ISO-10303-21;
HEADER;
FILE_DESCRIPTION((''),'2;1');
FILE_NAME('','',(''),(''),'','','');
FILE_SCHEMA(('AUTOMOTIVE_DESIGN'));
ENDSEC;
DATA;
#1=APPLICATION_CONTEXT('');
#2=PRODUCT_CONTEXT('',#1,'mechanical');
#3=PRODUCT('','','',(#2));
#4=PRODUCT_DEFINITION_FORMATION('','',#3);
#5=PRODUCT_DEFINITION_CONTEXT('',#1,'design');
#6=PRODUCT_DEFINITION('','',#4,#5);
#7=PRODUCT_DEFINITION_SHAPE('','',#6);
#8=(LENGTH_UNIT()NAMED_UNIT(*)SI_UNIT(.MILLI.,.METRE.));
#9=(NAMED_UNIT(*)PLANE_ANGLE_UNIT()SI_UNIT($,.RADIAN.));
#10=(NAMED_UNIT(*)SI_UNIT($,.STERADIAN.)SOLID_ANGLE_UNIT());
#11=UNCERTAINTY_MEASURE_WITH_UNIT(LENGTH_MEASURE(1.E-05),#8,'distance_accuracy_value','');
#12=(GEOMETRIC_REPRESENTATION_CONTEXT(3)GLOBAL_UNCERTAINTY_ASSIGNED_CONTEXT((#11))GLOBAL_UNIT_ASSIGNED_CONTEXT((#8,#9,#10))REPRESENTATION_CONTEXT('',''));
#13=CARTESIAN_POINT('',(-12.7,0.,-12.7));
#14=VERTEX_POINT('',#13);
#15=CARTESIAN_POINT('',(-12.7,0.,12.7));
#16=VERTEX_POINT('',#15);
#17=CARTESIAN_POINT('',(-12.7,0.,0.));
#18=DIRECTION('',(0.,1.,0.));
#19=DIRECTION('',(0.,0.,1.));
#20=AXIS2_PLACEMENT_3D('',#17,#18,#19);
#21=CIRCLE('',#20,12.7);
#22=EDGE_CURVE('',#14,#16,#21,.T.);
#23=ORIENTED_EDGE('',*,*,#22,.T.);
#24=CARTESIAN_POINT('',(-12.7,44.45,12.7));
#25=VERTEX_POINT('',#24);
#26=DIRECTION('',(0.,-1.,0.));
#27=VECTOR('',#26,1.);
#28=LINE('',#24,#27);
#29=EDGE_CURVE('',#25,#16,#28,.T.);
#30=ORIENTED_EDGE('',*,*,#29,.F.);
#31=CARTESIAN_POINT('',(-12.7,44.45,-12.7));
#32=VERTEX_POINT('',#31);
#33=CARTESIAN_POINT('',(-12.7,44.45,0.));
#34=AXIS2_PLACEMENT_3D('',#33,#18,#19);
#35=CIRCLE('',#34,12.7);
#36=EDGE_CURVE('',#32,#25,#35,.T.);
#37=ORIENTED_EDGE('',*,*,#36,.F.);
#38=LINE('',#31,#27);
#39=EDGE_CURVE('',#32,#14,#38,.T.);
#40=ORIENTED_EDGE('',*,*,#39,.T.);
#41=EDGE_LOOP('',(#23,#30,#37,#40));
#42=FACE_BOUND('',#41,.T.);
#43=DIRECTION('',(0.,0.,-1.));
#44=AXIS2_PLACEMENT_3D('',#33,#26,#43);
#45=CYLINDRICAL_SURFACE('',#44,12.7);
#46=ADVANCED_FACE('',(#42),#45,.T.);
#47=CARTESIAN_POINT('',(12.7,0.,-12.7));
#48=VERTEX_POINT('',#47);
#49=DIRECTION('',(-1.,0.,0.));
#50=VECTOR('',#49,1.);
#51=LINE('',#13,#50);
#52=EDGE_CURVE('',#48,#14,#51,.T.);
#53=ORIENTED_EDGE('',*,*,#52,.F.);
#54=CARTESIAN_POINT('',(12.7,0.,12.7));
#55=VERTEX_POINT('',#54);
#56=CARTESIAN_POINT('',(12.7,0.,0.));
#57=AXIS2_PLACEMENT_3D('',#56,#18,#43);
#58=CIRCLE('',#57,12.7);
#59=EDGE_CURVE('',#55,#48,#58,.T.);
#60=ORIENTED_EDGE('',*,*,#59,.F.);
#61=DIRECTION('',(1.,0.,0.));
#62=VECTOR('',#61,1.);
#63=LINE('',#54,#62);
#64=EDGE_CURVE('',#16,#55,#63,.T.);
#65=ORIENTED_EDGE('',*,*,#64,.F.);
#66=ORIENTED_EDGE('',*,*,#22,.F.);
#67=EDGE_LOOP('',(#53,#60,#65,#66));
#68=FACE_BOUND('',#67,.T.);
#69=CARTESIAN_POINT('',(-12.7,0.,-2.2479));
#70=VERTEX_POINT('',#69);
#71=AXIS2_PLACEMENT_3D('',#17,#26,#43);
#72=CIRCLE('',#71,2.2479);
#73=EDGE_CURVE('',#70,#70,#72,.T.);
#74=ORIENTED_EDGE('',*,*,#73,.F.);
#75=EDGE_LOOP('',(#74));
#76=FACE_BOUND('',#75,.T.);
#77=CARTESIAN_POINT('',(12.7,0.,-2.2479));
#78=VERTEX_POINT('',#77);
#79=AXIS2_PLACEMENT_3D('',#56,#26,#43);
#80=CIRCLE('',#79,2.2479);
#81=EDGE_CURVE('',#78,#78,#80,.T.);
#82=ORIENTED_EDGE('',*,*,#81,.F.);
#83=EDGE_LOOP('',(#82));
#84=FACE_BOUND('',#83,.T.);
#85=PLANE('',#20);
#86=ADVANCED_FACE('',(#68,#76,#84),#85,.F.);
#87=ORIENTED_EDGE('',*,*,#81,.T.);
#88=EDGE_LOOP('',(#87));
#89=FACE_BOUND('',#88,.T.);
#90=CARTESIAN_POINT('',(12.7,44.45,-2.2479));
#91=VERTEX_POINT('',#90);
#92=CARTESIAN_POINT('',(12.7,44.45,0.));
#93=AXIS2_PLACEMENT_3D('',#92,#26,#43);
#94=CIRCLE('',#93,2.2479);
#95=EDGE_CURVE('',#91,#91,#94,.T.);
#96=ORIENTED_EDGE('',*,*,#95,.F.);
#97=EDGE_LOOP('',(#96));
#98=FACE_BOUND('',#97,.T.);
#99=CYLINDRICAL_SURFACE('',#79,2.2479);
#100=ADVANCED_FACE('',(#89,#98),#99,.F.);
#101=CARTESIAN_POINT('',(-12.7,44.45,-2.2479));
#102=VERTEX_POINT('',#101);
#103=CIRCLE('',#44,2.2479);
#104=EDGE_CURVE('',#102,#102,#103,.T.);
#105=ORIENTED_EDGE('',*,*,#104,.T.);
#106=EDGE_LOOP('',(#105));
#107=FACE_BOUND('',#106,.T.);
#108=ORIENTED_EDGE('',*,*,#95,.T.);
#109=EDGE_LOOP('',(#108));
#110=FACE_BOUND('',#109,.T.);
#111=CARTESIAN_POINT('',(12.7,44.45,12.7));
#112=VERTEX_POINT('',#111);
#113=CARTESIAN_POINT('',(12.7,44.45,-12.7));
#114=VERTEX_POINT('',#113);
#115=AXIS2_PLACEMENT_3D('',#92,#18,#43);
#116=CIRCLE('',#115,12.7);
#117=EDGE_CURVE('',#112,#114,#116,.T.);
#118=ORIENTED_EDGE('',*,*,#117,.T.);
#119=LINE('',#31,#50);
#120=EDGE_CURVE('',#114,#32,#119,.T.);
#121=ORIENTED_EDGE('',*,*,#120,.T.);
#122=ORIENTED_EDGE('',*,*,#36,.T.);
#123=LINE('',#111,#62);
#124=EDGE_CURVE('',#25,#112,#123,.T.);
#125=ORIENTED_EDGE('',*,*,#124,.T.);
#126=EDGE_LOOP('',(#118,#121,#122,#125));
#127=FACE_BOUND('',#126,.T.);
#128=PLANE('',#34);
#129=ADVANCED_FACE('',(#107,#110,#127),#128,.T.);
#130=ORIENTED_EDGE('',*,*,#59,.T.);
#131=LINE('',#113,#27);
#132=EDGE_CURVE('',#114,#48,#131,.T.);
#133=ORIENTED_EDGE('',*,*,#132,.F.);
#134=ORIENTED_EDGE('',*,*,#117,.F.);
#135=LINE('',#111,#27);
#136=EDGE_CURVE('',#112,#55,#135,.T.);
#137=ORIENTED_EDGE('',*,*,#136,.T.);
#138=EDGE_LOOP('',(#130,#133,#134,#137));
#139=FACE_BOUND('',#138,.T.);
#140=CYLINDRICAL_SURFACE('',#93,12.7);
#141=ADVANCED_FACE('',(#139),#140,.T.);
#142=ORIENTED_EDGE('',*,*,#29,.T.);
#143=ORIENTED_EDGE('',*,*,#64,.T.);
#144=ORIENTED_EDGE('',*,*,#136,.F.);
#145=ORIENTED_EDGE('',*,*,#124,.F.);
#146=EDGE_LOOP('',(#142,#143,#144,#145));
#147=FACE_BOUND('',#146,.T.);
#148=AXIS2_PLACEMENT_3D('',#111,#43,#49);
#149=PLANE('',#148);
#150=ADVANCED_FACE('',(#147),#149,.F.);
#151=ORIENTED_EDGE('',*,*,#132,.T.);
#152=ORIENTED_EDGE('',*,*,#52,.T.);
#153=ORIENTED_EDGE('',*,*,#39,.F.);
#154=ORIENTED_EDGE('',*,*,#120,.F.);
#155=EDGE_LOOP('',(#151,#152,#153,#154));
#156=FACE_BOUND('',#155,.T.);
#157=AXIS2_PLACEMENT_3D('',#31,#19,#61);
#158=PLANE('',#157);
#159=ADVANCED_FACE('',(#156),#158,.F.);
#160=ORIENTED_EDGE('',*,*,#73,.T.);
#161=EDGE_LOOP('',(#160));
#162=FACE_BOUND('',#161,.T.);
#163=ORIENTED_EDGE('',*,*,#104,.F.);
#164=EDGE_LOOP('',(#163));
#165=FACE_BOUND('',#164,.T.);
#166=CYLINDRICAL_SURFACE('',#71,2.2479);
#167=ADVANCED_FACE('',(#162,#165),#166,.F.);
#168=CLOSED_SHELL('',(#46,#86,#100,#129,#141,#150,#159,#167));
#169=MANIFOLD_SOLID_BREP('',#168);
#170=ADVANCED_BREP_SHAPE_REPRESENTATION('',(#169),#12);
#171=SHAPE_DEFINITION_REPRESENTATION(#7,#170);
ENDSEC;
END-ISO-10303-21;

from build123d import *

# Parameters (mm, degrees)
BOSS_EXTRUDE1_DEPTH   = 44.45
F_8_CLEARANCE_HOLE1_D = 4.4958


with BuildPart() as part:
    # Sketch1 → Boss-Extrude1 (new body)
    with BuildSketch(Plane(origin=(0, 0, 0), x_dir=(1, 0, 0), z_dir=(0, 1, 0))):
        with BuildLine():
            Line((-12.7, 12.7), (12.7, 12.7))
            ThreePointArc((12.7, 12.7), (25.4, 0), (12.7, -12.7))
            Line((12.7, -12.7), (-12.7, -12.7))
            ThreePointArc((-12.7, -12.7), (-25.4, 0), (-12.7, 12.7))
        make_face()
    extrude(amount=BOSS_EXTRUDE1_DEPTH)

    # #8 Clearance Hole1 (through all)
    with Locations(Plane(origin=(0, 0, 0), x_dir=(-1, 0, 0), z_dir=(0, -1, 0))):
        with Locations((-12.7, 0), (12.7, 0)):
            Hole(F_8_CLEARANCE_HOLE1_D / 2)


solid = part.part
